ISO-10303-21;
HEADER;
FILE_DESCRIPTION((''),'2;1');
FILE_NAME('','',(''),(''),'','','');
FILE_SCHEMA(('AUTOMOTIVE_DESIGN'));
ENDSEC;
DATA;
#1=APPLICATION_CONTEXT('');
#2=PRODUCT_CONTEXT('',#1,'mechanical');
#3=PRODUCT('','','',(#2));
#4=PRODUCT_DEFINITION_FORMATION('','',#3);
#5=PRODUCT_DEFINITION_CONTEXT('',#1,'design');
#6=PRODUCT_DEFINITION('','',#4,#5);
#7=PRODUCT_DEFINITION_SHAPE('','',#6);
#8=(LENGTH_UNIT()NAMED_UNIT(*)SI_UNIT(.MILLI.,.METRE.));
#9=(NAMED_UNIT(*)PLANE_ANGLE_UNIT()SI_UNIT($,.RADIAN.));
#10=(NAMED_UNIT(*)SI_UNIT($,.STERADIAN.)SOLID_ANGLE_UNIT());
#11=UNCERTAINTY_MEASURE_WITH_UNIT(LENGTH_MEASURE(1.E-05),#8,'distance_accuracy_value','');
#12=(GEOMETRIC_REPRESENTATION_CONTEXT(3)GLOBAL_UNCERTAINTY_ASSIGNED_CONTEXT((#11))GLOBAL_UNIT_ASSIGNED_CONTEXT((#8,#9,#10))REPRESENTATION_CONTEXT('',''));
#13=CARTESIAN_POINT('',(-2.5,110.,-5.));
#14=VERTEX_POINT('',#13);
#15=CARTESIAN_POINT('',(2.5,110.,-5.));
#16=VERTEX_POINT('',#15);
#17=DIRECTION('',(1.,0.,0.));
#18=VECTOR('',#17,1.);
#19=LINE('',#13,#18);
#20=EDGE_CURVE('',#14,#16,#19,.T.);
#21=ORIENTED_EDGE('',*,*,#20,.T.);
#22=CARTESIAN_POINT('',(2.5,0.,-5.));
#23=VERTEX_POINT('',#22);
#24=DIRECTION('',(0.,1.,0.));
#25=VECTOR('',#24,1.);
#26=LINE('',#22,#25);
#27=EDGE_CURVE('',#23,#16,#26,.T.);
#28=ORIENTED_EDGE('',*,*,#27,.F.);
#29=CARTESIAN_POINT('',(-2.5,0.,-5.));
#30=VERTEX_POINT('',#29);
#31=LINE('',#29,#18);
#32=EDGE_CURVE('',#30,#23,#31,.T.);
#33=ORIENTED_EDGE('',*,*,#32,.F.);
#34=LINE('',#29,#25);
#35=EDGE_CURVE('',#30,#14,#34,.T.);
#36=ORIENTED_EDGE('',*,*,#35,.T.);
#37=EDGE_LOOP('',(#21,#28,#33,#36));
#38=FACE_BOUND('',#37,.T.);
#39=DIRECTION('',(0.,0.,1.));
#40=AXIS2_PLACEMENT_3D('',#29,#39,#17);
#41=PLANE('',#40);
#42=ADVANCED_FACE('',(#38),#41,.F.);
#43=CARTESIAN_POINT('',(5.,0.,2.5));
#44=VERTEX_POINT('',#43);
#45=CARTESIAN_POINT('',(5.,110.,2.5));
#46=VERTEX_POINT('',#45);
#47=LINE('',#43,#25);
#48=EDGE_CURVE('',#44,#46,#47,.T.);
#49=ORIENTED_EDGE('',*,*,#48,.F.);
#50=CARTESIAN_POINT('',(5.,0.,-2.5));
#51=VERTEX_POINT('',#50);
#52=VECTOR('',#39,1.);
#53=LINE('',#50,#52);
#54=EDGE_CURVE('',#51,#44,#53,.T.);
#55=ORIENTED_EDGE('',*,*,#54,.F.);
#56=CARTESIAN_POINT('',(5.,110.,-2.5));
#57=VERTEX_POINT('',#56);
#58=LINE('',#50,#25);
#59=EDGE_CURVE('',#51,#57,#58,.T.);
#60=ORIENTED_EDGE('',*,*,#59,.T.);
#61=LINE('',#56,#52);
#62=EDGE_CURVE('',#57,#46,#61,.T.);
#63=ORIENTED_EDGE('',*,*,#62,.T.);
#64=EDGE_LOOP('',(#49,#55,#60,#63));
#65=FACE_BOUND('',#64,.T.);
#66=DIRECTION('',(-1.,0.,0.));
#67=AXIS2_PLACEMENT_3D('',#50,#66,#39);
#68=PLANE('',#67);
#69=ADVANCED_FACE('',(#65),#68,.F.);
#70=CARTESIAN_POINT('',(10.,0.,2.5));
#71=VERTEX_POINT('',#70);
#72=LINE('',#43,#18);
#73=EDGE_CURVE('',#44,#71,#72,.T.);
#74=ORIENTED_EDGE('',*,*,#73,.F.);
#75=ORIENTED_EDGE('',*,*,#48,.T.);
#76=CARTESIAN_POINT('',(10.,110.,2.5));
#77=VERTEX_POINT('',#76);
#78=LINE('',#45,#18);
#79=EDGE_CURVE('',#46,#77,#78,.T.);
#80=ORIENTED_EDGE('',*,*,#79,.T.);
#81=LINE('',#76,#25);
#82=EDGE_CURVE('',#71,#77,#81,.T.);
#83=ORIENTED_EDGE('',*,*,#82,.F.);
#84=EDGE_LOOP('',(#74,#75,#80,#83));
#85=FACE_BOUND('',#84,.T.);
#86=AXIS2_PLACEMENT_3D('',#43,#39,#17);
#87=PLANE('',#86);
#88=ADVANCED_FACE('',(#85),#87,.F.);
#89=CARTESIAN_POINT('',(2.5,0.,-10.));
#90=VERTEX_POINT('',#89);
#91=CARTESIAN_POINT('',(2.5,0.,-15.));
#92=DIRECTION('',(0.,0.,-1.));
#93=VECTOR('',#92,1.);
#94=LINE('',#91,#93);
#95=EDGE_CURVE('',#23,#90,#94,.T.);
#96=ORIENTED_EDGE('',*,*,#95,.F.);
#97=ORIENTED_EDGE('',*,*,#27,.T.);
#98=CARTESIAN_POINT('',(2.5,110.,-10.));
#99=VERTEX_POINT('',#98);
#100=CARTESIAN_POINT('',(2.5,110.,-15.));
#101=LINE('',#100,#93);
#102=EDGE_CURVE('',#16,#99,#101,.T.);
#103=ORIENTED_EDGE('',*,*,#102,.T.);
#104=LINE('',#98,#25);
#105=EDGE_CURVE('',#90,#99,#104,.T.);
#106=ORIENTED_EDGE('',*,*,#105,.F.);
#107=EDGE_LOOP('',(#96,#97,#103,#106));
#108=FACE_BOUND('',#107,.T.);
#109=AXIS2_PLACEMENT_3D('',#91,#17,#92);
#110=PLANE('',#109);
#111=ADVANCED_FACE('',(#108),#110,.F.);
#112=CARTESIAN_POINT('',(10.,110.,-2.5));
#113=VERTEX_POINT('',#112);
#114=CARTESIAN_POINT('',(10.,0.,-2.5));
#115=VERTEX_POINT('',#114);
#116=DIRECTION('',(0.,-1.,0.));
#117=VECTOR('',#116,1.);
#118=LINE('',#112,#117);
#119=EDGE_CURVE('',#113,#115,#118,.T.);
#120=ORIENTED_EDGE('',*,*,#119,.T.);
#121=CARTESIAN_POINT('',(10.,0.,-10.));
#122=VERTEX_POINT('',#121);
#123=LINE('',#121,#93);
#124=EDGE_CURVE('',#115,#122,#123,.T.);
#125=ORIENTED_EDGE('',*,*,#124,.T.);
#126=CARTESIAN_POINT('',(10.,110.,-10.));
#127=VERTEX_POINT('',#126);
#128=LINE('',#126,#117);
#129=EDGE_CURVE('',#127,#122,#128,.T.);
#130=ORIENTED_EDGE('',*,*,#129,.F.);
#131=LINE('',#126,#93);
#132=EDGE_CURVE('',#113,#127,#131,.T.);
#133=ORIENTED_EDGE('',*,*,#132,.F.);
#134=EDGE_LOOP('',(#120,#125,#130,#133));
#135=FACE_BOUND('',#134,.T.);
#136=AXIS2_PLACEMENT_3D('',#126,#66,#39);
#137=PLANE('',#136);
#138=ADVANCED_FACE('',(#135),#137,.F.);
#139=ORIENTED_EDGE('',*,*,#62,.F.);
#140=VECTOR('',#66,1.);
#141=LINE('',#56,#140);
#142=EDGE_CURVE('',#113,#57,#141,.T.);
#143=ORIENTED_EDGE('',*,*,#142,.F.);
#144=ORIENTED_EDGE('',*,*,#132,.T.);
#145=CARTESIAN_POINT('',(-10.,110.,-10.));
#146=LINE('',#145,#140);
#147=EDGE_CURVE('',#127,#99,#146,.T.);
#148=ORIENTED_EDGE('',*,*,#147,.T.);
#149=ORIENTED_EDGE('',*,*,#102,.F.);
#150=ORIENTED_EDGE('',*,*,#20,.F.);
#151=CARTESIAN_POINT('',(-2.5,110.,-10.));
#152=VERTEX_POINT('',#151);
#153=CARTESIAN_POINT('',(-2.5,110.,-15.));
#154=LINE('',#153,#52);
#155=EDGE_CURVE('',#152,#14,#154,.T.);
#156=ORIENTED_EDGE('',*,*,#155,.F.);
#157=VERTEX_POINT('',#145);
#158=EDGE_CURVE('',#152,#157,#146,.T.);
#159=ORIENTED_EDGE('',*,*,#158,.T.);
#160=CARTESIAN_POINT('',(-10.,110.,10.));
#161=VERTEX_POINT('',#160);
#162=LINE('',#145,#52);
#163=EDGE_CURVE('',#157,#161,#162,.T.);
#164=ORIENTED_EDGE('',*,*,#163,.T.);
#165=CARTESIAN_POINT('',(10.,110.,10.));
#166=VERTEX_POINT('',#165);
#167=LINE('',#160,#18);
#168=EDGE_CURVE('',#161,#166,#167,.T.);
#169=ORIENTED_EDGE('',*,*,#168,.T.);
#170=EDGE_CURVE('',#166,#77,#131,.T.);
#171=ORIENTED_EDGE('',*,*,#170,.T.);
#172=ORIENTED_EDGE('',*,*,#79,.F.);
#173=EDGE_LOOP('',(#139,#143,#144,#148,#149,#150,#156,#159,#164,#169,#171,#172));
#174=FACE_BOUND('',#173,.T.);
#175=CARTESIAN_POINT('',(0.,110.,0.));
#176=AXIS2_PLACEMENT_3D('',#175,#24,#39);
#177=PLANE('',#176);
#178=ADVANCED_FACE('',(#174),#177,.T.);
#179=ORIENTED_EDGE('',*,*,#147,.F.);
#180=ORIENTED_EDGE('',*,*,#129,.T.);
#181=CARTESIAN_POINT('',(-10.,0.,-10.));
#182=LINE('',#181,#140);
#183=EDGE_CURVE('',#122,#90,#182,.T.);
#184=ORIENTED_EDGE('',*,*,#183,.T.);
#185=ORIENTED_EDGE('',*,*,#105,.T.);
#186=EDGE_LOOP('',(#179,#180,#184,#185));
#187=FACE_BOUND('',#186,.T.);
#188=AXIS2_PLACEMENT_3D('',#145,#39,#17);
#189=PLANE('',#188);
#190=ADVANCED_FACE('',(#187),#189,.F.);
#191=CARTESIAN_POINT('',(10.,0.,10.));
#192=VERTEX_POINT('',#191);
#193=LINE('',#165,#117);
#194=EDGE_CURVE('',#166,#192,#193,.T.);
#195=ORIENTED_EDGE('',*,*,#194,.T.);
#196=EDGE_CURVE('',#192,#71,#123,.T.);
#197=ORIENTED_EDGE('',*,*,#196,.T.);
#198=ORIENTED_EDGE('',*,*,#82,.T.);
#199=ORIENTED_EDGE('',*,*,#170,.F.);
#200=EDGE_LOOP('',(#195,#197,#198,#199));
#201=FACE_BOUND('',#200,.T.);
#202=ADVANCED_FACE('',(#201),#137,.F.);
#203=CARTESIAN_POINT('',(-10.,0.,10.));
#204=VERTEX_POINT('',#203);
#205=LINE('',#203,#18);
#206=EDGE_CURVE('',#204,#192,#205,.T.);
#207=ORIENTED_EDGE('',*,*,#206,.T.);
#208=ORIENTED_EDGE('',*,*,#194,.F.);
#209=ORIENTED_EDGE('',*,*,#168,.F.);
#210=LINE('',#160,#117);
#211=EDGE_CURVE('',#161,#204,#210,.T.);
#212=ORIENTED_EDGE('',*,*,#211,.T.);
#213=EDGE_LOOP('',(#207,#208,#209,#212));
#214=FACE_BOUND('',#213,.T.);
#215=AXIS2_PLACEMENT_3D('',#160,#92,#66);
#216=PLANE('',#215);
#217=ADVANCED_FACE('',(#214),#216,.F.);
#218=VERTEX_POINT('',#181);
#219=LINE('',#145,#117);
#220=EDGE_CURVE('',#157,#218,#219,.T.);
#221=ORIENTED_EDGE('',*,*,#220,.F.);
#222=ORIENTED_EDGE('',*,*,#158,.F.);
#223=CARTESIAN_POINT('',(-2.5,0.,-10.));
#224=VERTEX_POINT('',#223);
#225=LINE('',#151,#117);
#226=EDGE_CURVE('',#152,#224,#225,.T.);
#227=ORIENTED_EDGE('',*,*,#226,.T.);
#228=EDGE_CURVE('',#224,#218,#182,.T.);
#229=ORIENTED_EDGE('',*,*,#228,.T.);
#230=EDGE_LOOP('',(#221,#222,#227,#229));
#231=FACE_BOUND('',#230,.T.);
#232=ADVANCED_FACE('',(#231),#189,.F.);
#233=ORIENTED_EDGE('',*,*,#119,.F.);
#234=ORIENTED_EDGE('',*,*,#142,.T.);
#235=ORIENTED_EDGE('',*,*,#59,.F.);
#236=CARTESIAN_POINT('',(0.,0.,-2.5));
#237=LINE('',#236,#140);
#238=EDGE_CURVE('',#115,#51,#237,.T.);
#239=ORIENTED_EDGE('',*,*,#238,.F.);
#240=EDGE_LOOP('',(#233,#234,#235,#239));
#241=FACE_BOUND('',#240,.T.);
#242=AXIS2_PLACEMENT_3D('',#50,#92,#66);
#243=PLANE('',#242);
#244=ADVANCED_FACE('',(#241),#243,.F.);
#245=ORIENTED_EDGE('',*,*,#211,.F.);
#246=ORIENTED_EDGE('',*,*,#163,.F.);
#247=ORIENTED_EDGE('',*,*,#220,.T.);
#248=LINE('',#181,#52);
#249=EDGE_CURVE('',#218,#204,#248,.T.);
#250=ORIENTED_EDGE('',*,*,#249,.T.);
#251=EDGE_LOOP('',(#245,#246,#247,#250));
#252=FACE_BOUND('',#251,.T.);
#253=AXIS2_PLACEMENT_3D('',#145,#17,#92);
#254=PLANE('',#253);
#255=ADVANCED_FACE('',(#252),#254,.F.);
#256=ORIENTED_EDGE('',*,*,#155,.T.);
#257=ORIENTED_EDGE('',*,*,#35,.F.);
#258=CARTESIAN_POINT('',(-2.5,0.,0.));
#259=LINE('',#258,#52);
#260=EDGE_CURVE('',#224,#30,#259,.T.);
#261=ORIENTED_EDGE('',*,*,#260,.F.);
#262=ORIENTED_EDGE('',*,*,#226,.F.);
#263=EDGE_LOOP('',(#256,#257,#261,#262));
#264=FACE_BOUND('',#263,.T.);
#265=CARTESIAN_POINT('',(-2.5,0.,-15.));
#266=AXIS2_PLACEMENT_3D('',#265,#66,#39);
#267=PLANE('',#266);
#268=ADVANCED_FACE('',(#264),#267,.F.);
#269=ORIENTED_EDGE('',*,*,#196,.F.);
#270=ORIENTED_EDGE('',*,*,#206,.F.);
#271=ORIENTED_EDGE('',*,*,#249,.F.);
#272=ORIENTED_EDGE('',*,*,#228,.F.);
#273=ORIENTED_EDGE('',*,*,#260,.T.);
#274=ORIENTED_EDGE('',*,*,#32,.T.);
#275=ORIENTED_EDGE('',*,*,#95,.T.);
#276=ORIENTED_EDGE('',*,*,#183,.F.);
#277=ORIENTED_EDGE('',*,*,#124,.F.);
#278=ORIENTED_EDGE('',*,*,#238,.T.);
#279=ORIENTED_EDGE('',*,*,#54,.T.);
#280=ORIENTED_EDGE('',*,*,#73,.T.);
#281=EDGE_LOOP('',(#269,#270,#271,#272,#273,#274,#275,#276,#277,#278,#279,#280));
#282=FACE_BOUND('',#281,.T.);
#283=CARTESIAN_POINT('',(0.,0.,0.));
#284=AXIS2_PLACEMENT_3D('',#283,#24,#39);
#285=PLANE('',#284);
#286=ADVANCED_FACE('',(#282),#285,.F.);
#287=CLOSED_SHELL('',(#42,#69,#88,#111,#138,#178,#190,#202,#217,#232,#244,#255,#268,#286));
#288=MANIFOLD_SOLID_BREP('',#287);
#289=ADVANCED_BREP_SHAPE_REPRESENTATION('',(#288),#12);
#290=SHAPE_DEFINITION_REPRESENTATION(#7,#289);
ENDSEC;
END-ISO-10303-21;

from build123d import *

# Parameters (mm, degrees)
SKIZZE1_W                       = 20
SKIZZE1_H                       = 20
AUFSATZ_LINEAR_AUSTRAGEN1_DEPTH = 110
SKIZZE2_W                       = 5
SKIZZE2_H                       = 10
SKIZZE2_W_2                     = 10
SKIZZE2_H_2                     = 5
SCHNITT_LINEAR_AUSTRAGEN1_DEPTH = 111.905365064


with BuildPart() as part:
    # Skizze1 → Aufsatz-Linear austragen1 (new body)
    with BuildSketch(Plane(origin=(0, 0, 0), x_dir=(1, 0, 0), z_dir=(0, 1, 0))):
        Rectangle(SKIZZE1_W, SKIZZE1_H)
    extrude(amount=AUFSATZ_LINEAR_AUSTRAGEN1_DEPTH)

    # Skizze2 → Schnitt-Linear austragen1 (cut, through all)
    with BuildSketch(Plane(origin=(0, 110, 0), x_dir=(1, 0, 0), z_dir=(0, 1, 0))):
        with Locations((0, 10)):
            Rectangle(SKIZZE2_W, SKIZZE2_H)
        with Locations((10, 0)):
            Rectangle(SKIZZE2_W_2, SKIZZE2_H_2)
    extrude(amount=-SCHNITT_LINEAR_AUSTRAGEN1_DEPTH, mode=Mode.SUBTRACT)


solid = part.part
